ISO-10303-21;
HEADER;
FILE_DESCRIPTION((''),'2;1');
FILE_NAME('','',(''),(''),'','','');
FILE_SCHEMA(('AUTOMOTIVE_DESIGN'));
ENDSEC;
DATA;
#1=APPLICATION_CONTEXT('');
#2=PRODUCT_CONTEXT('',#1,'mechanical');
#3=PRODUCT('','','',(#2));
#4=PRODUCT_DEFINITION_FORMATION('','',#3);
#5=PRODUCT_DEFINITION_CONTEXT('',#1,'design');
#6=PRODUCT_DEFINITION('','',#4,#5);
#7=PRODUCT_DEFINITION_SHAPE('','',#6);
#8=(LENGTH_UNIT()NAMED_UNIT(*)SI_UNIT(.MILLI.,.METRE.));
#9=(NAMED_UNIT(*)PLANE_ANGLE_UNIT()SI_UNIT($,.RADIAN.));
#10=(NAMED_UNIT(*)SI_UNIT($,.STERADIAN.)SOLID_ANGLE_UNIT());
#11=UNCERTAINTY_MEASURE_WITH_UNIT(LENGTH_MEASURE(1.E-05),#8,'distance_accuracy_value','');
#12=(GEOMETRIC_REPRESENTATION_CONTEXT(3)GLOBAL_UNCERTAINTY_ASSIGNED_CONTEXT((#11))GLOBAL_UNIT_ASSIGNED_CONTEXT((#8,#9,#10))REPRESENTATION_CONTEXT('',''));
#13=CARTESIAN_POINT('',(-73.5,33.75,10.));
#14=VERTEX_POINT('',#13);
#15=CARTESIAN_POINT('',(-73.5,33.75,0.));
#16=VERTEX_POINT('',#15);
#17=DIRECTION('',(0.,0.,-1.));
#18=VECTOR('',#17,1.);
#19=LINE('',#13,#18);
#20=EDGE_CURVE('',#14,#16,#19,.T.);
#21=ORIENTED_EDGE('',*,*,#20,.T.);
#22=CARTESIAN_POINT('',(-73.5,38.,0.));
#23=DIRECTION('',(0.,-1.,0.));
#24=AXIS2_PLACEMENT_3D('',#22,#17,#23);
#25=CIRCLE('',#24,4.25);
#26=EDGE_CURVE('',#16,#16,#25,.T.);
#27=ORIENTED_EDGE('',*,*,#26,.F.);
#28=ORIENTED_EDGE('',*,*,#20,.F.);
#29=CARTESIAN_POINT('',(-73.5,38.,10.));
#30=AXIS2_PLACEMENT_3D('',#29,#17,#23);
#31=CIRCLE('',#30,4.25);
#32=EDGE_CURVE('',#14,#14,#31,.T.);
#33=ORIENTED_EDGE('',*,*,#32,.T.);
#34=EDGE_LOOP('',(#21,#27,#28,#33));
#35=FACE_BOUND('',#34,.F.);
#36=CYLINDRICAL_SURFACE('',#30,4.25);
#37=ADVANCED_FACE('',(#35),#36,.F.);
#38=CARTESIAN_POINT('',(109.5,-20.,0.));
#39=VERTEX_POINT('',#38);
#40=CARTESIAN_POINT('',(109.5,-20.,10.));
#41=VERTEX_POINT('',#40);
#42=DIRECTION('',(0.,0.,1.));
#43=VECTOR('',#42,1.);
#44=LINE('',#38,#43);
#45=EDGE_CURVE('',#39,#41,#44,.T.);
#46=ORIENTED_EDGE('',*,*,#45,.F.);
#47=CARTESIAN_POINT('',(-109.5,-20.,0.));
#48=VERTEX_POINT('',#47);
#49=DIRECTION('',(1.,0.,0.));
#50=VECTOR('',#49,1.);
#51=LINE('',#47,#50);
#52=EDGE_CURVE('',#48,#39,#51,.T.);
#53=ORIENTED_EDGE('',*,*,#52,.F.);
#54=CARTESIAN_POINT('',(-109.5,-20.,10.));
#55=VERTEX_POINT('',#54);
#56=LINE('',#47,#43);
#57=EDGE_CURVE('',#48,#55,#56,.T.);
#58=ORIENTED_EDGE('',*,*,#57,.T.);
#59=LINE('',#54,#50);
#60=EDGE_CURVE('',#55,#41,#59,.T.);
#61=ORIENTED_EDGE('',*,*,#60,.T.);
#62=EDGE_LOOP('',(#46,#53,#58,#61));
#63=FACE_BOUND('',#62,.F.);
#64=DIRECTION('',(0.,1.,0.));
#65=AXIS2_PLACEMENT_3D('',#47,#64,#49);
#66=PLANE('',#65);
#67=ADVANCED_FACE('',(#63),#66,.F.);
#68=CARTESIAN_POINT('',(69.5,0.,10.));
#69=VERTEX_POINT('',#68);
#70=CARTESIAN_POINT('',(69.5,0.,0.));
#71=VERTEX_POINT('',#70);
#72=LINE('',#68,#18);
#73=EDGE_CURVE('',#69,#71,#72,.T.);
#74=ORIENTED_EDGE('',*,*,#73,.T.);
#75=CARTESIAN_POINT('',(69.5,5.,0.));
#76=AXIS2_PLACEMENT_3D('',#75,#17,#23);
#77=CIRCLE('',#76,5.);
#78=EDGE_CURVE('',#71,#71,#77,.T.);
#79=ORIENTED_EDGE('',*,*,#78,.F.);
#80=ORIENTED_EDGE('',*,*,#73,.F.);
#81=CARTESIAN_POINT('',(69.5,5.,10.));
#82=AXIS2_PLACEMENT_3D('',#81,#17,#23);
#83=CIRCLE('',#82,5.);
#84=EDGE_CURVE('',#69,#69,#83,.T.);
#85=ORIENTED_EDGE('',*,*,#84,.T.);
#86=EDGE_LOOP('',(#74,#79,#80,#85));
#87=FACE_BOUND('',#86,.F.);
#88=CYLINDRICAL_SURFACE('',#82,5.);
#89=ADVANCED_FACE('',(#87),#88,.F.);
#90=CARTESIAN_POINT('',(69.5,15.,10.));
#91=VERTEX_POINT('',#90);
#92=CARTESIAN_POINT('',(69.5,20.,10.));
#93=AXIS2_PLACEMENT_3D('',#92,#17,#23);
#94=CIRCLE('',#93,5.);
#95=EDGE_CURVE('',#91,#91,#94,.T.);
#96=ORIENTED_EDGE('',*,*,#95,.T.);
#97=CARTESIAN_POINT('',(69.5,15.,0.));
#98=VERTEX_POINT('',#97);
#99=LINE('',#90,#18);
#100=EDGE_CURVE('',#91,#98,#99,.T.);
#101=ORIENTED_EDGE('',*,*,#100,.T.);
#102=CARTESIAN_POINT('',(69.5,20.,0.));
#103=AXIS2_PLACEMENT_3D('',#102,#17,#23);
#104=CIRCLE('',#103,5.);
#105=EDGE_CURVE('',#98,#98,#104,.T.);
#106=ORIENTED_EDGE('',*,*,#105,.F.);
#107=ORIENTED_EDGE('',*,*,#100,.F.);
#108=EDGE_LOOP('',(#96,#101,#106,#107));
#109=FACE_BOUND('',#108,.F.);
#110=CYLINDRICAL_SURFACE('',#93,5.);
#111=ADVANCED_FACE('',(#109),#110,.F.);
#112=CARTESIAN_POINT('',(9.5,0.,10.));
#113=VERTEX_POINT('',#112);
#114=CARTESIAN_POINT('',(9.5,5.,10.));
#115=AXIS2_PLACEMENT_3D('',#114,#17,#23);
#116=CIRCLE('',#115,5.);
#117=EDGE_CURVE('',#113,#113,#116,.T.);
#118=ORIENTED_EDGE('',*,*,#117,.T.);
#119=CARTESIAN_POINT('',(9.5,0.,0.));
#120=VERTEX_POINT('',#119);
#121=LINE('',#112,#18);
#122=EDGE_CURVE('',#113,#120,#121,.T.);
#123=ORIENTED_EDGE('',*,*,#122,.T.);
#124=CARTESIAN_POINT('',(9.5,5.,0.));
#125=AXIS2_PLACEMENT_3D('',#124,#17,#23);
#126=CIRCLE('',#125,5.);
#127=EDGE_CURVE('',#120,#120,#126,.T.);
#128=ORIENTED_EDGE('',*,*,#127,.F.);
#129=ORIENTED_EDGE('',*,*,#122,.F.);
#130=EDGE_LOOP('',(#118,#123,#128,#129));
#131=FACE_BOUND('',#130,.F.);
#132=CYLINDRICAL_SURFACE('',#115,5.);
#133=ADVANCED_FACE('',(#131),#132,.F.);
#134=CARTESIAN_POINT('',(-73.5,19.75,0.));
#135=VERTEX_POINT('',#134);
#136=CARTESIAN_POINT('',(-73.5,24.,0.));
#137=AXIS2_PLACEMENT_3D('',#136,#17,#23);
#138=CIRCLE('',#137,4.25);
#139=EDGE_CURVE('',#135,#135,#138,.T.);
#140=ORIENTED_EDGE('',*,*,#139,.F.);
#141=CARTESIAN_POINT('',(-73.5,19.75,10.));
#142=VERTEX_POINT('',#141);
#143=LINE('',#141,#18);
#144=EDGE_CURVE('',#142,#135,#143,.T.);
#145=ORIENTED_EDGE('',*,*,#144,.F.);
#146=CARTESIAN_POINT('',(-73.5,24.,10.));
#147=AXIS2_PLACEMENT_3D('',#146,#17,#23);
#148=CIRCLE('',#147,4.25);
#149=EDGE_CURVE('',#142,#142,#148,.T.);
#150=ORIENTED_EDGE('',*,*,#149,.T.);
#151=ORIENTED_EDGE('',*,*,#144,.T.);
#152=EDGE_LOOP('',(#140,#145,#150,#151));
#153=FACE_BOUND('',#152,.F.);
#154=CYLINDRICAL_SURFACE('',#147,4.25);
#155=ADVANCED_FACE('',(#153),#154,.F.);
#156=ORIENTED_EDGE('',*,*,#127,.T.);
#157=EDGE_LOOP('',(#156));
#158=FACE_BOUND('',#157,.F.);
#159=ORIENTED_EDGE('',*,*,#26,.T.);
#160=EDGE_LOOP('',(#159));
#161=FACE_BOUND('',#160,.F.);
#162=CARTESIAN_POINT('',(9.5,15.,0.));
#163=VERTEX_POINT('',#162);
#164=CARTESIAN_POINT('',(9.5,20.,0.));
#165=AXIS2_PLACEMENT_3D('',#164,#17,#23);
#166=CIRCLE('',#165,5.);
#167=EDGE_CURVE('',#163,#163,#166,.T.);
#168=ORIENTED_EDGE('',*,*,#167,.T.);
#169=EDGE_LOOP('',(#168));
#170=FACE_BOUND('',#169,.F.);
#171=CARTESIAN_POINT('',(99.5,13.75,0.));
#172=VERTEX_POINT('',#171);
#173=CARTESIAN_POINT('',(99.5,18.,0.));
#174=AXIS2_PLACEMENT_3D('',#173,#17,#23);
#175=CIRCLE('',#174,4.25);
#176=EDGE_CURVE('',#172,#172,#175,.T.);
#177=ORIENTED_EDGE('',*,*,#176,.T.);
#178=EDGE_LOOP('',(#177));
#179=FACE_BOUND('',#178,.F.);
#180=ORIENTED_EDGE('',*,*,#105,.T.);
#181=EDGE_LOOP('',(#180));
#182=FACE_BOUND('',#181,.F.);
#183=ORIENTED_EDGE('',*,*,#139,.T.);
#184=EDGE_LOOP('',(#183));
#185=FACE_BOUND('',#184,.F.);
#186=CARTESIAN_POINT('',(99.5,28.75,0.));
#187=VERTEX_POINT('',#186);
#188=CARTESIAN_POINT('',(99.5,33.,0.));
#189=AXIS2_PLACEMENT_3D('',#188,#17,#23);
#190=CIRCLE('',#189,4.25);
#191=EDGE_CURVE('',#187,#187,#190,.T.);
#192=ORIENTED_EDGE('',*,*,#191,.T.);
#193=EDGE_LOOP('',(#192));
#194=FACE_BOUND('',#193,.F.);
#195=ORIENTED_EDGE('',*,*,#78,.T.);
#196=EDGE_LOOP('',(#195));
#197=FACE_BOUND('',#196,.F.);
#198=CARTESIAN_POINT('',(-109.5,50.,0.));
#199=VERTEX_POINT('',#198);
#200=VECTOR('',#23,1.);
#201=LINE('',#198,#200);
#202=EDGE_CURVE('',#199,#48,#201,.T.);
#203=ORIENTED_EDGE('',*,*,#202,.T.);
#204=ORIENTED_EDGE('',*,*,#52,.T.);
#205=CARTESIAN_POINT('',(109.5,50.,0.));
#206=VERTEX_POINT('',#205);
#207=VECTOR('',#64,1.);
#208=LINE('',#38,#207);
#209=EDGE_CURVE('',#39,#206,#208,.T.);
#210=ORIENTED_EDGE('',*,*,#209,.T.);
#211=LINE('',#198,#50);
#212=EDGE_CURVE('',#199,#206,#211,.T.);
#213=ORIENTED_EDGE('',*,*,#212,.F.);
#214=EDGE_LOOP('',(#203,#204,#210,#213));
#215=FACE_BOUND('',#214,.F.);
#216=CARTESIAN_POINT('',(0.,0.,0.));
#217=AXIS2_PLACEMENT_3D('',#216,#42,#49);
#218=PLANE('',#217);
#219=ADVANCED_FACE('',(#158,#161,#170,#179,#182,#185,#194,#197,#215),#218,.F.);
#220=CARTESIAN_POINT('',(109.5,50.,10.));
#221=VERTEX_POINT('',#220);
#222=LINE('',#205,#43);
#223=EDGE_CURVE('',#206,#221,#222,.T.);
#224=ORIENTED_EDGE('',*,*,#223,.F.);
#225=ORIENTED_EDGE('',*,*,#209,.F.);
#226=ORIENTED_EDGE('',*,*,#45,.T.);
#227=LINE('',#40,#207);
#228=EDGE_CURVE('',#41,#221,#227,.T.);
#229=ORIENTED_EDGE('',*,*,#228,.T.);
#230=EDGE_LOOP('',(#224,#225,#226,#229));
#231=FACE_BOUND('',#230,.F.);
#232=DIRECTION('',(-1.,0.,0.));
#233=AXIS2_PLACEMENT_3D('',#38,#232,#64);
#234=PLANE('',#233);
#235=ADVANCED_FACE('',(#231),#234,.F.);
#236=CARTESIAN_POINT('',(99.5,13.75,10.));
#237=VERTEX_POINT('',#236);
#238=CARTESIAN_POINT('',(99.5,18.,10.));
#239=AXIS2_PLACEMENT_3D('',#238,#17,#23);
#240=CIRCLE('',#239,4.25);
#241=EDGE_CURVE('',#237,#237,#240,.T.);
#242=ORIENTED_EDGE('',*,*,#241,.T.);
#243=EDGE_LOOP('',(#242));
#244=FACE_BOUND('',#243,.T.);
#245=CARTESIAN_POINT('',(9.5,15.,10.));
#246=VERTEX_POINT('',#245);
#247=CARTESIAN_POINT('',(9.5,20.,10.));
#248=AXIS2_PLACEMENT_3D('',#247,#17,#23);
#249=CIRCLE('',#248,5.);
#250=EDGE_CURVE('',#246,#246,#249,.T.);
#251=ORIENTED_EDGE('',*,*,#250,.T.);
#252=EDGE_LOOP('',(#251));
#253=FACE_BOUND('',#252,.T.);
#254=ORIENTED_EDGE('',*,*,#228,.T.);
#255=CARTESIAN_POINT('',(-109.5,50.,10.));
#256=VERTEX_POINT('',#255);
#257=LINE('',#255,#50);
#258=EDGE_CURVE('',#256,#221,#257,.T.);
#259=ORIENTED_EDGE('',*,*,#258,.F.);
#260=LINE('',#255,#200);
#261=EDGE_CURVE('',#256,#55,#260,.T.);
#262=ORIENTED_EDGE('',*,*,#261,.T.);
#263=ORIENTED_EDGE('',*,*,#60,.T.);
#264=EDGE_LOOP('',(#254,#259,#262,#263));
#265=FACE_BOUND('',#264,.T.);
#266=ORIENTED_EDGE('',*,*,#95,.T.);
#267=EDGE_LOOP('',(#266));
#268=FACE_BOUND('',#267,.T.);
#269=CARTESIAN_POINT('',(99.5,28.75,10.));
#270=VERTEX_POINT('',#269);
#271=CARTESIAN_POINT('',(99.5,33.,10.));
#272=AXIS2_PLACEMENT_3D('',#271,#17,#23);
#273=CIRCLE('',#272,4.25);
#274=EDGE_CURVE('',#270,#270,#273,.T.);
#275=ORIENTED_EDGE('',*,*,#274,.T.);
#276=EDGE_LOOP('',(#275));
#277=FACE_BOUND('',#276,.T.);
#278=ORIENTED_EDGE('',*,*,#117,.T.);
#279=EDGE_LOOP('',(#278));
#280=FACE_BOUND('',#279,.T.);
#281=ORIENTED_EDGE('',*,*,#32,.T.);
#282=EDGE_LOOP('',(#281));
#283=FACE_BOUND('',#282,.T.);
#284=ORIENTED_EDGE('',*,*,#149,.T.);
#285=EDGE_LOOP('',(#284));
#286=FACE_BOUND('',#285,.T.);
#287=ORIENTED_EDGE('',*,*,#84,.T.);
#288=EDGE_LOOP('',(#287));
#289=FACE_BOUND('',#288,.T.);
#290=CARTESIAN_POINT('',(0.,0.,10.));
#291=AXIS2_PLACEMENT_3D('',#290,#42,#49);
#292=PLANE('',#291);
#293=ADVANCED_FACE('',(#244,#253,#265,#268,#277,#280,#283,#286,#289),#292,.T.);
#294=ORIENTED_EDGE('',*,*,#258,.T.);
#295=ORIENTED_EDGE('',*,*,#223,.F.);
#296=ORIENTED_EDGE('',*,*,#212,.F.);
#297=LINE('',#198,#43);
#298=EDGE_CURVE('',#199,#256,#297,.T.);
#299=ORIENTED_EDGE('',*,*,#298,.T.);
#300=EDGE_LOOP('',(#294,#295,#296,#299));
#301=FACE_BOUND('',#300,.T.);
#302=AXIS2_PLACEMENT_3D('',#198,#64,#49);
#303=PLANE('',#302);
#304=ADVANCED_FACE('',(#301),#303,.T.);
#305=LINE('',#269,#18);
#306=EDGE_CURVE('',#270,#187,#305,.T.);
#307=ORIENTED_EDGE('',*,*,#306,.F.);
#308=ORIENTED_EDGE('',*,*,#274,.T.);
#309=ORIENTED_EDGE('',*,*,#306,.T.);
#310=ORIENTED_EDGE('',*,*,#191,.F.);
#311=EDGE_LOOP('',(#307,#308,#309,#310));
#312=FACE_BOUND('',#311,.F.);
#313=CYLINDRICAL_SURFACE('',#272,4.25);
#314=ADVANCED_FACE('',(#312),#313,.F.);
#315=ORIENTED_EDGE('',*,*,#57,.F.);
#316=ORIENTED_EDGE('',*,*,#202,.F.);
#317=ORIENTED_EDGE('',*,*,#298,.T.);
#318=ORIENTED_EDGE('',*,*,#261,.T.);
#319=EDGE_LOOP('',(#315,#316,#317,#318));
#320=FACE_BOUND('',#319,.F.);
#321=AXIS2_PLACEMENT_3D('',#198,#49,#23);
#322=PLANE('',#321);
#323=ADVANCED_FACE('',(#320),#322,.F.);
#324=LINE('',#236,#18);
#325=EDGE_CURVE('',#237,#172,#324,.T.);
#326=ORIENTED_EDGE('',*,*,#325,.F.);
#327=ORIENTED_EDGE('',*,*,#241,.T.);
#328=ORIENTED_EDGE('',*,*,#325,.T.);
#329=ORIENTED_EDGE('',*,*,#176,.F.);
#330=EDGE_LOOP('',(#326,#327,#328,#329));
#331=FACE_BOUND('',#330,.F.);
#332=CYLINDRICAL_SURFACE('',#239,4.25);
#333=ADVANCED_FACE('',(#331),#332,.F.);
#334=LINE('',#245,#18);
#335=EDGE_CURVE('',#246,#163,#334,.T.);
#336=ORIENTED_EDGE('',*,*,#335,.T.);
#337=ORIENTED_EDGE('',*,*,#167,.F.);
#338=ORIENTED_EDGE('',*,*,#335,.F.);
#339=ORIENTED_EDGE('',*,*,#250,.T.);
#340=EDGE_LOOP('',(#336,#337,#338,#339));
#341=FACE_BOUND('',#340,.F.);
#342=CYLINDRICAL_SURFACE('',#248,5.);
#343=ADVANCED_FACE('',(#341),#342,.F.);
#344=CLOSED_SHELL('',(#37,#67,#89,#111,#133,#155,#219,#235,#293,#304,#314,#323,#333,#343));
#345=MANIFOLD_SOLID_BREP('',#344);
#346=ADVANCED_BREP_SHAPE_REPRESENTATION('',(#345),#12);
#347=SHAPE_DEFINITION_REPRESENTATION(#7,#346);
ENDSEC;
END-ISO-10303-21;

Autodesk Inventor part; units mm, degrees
ref_plane "YZ Plane" through (0, 0, 0) normal (1, 0, 0) x (0, 1, 0)
ref_plane "XZ Plane" through (0, 0, 0) normal (0, 1, 0) x (-1, 0, 0)
ref_plane "XY Plane" through (0, 0, 0) normal (0, 0, 1) x (1, 0, 0)
sketch "Sketch1" plane through (0, 0, 0) normal (0, 0, 1) x (1, 0, 0)
  line L0 (-109.5, 50) -> (109.5, 50)
  line L1 (109.5, 50) -> (-109.5, 50)
  line L2 (-109.5, 50) -> (-109.5, -20)
  line L3 (-109.5, -20) -> (109.5, -20)
  line L4 (109.5, -20) -> (109.5, 50)
  dimension "d81" = 219
  dimension "d82" = 70
  dimension "d83" = 90
  dimension "d84" = 219
extrude "Extrusion1" add sketch "Sketch1" along normal blind 10
sketch "Sketch7" plane through (0, 0, 10) normal (0, 0, 1) x (1, 0, 0)
  line L0 (109.5, -50) -> (109.5, 50) projected
  line L1 (109.5, 50) -> (109.5, 18)
  line L2 (109.5, 18) -> (99.5, 18)
  line L3 (109.5, 50) -> (87.5, 50) projected
  line L4 (99.5, 50) -> (99.5, 33)
  line L5 (-109.5, 50) -> (-109.5, -50) projected
  line L6 (-109.5, 50) -> (-73.5, 50) construction
  line L7 (109.5, 50) -> (-109.5, 50) projected
  line L8 (-109.5, 50) -> (-73.5, 50)
  line L9 (-73.5, 50) -> (-73.5, 38)
  line L10 (-73.5, 38) -> (-73.5, 24)
  line L11 (87.5, 50) -> (87.5, -50) projected
  dimension "d32" = 32
  dimension "d34" = 10
  dimension "d36" = 17
  dimension "d37" = 10
  dimension "d41" = 36
  dimension "d42" = 12
  dimension "d43" = 14
hole "Hole1" at (99.5, 33, 10) at (99.5, 18, 10) at (-73.5, 24, 10) at (-73.5, 38, 10) direction (0, 0, -1) diameter 8.5 end through all
sketch "Sketch8" plane through (0, 0, 10) normal (0, 0, 1) x (1, 0, 0)
  line L0 (109.5, -50) -> (109.5, 50) projected
  line L1 (109.5, 50) -> (109.5, 20)
  line L2 (109.5, 20) -> (109.5, 5)
  line L3 (109.5, 5) -> (69.5, 5)
  line L4 (69.5, 5) -> (9.5, 5)
  line L5 (9.5, 5) -> (9.5, 20)
  line L6 (69.5, 5) -> (69.5, 20)
  point P0 (0, 0)
  dimension "d58" = 30
  dimension "d59" = 15
  dimension "d60" = 40
  dimension "d61" = 60
  dimension "d62" = 15
  dimension "d70" = 15
hole "Hole2" at (9.5, 5, 10) at (9.5, 20, 10) at (69.5, 5, 10) at (69.5, 20, 10) direction (0, 0, -1) diameter 10 end through all
thread "Thread1" size "M10x1.5" class "6H" standard "ISO Metric profile" full length
thread "Thread2" size "M10x1.5" class "6H" standard "ANSI Metric M Profile" full length
thread "Thread3" size "M10x1.5" class "6H" standard "ANSI Metric M Profile" full length
thread "Thread4" size "M10x1.5" class "6H" standard "ANSI Metric M Profile" full length
equation "\"d49\" = Thickness"
equation "\"d68\" = Thickness"
equation "\"BendRadius\" = Thickness"
equation "\"BendReliefWidth\" = Thickness"
equation "\"BendReliefDepth\" = 0.5 * Thickness"
equation "\"CornerReliefSize\" = 4 * Thickness"
equation "\"MinimumRemnant\" = 2 * Thickness"
equation "\"TransitionRadius\" = BendRadius"
equation "\"JacobiRadiusSize\" = Thickness"
equation "\"GapSize\" = Thickness"
equation "\"Thickness\" = 0.5"
properties part number "Ball screw right hand support" material "Steel"
